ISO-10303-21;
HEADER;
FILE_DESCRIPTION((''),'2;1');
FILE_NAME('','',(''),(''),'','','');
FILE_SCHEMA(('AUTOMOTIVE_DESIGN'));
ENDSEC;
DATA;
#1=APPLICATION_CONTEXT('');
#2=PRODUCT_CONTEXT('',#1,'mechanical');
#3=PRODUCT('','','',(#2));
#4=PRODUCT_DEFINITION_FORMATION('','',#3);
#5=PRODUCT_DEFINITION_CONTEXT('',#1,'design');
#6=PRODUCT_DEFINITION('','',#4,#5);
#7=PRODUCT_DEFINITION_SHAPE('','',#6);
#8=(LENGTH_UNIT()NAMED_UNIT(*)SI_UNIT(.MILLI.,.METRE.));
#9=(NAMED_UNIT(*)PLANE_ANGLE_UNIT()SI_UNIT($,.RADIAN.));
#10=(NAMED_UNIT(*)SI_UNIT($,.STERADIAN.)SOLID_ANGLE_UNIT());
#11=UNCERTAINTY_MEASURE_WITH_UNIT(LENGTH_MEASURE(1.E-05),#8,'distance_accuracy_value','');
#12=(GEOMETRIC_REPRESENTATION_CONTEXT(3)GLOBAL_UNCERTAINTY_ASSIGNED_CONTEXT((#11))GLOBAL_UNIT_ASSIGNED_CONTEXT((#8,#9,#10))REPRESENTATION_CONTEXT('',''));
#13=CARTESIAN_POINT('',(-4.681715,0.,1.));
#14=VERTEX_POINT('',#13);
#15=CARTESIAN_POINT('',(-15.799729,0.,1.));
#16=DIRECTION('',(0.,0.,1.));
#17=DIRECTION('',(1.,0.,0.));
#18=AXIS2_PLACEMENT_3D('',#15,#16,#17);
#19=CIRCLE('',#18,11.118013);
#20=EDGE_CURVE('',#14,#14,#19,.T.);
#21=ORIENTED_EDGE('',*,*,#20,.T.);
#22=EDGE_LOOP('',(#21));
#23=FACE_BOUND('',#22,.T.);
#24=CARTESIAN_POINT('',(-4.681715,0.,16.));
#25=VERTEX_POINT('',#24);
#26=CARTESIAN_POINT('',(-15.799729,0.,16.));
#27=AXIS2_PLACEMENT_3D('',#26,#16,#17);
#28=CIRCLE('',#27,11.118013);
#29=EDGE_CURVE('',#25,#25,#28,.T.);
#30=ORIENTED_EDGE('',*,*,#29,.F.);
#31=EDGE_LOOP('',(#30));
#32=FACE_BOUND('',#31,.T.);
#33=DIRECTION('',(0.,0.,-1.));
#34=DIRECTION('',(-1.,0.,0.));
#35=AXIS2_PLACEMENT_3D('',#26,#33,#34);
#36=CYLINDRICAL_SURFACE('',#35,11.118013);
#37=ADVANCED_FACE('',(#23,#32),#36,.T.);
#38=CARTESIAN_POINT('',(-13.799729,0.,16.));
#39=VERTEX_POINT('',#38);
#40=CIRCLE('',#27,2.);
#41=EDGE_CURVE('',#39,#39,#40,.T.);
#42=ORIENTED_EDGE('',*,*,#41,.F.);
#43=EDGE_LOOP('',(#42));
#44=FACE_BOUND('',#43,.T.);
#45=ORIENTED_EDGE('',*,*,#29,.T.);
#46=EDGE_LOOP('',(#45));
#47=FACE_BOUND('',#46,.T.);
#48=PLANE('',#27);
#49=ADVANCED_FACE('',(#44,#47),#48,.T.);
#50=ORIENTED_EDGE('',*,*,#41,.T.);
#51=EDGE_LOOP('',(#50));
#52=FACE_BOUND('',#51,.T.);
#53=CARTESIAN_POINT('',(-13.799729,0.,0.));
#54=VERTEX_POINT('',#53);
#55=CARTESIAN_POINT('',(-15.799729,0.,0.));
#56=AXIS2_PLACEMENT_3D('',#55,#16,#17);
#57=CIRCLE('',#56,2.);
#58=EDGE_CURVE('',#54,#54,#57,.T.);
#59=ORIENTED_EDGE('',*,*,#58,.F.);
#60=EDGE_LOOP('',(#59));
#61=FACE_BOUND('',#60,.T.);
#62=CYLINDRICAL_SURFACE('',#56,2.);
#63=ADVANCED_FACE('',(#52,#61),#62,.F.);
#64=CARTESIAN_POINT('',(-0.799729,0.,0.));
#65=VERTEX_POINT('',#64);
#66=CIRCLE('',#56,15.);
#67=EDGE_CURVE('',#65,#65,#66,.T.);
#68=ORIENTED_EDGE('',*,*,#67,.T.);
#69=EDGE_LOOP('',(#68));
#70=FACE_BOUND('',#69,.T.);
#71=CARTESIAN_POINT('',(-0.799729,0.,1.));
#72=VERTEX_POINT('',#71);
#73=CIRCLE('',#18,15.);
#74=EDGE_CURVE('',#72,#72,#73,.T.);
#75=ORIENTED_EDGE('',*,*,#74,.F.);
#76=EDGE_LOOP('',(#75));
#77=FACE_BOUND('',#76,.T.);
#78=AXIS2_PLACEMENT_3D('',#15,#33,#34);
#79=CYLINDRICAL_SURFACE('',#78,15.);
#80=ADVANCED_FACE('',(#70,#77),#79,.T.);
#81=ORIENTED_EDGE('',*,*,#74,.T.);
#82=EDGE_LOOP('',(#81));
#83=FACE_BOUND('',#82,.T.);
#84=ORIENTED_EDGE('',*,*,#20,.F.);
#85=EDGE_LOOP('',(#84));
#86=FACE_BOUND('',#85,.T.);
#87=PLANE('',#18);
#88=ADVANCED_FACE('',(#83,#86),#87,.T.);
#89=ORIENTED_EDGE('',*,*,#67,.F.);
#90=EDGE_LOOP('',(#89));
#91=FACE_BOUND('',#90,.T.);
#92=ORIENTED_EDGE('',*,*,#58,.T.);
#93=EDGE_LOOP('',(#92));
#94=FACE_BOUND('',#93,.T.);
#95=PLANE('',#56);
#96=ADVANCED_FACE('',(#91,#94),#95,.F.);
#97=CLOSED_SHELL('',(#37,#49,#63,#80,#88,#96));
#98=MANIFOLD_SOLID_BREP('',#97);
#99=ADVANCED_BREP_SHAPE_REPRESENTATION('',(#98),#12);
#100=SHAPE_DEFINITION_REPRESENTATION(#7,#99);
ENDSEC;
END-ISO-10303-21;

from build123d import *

# Parameters (mm, degrees)
IZIM1_R                     = 15
Y_KSEKLIK_EKSTR_ZYON1_DEPTH = 1
IZIM2_R                     = 11.118013459
Y_KSEKLIK_EKSTR_ZYON2_DEPTH = 15
IZIM3_R                     = 2
KES_EKSTR_ZYON1_DEPTH       = 38.810359459


with BuildPart() as part:
    # Çizim1 → Yükseklik-Ekstrüzyon1 (new body)
    with BuildSketch(Plane.XY):
        with Locations((-15.799728609, 0)):
            Circle(IZIM1_R)
    extrude(amount=Y_KSEKLIK_EKSTR_ZYON1_DEPTH)

    # Çizim2 → Yükseklik-Ekstrüzyon2 (add)
    with BuildSketch(Plane.XY.offset(1)):
        with Locations((-15.799728609, 0)):
            Circle(IZIM2_R)
    extrude(amount=Y_KSEKLIK_EKSTR_ZYON2_DEPTH)

    # Çizim3 → Kes-Ekstrüzyon1 (cut, through all)
    with BuildSketch(Plane.XY.offset(16)):
        with Locations((-15.799728609, 0)):
            Circle(IZIM3_R)
    extrude(amount=-KES_EKSTR_ZYON1_DEPTH, mode=Mode.SUBTRACT)


solid = part.part
